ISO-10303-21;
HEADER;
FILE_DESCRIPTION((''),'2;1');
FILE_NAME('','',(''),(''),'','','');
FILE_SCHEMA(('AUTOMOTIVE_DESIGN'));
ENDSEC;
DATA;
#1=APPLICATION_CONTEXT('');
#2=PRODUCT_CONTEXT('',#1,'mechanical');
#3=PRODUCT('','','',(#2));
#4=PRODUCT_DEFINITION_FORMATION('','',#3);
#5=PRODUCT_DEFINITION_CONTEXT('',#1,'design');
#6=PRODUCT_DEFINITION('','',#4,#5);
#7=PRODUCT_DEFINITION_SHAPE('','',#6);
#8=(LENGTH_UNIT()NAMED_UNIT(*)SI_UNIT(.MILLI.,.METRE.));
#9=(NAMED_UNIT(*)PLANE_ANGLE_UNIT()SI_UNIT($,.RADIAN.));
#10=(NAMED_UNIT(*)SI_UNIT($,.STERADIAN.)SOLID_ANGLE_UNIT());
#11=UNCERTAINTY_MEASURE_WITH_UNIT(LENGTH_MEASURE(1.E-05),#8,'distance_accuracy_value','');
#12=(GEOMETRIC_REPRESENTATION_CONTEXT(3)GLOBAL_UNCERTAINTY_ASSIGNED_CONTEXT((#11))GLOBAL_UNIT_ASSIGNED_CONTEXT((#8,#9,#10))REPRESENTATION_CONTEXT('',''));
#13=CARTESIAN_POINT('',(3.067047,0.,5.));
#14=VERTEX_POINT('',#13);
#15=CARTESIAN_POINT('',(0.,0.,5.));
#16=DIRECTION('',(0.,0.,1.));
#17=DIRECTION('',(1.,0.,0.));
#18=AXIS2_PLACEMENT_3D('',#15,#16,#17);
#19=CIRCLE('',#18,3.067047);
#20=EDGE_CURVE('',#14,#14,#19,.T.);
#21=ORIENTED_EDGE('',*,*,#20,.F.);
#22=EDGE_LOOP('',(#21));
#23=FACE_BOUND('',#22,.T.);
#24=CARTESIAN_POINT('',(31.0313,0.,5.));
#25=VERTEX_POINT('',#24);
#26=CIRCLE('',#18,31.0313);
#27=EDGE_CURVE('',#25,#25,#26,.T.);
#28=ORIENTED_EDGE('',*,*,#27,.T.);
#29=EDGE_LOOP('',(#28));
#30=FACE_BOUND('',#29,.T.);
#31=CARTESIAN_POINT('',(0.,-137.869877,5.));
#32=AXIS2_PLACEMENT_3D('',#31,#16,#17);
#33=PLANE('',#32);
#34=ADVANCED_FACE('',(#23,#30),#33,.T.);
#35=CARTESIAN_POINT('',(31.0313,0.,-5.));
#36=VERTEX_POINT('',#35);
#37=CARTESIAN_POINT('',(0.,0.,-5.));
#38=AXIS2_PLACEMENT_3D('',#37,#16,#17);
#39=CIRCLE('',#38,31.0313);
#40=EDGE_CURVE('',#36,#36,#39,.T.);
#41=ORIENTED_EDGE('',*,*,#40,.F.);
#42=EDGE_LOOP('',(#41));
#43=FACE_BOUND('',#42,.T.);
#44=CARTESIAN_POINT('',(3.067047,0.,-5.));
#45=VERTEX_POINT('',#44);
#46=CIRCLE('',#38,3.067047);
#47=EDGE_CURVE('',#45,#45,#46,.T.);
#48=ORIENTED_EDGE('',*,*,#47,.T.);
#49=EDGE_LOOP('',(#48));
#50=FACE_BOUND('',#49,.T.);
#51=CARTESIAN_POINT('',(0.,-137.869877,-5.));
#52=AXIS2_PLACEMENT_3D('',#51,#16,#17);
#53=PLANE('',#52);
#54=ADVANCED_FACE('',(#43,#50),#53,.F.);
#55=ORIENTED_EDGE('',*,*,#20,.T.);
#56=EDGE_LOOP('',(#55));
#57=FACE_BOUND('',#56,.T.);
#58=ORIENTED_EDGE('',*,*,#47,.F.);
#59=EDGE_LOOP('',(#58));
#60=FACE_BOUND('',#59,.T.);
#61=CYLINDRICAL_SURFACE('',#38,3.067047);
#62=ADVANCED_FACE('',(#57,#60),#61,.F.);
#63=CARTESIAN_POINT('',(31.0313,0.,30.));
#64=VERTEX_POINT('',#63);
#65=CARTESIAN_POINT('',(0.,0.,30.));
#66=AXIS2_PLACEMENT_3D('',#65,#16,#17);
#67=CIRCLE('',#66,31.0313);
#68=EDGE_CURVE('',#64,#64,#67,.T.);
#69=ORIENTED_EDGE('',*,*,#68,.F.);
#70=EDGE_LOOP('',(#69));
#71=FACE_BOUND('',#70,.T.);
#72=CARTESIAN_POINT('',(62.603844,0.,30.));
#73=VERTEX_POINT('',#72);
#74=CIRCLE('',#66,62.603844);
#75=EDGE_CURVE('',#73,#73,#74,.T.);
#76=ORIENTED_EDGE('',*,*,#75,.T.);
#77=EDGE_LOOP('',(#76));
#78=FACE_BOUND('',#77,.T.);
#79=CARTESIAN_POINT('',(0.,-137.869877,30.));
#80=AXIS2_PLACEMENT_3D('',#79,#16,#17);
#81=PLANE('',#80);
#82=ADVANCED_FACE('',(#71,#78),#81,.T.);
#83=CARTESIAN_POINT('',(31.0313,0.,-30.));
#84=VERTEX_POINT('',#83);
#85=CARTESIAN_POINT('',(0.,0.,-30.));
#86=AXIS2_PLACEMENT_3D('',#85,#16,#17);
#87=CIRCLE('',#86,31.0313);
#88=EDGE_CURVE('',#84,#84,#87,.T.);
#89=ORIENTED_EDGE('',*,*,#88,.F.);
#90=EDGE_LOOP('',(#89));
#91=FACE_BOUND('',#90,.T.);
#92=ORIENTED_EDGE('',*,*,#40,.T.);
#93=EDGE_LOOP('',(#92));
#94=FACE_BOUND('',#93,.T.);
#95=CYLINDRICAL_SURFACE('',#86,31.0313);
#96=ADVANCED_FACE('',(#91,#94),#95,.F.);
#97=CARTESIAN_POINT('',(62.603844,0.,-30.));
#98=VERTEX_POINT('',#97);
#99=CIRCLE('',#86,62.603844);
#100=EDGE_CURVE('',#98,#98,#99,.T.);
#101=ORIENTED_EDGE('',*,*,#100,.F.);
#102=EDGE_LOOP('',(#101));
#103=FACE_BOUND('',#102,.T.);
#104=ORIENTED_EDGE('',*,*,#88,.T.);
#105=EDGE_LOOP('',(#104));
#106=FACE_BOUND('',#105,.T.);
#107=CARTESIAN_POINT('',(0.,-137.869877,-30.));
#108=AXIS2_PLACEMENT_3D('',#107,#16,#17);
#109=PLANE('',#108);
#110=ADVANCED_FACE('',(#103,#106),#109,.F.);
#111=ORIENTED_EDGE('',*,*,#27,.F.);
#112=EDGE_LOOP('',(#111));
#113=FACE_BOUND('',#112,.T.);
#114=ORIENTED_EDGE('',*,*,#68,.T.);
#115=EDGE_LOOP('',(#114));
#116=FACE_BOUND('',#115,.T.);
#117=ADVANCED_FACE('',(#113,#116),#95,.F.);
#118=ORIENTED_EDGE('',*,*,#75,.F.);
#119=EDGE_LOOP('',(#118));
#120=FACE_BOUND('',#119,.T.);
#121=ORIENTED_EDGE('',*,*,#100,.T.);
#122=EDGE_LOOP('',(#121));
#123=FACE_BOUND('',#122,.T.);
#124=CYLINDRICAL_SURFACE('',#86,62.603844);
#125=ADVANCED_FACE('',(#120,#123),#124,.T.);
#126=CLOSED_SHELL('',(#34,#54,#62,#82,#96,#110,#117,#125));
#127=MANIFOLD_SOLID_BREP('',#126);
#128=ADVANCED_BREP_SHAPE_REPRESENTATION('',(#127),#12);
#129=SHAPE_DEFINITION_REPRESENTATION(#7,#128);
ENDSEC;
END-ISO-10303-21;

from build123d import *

# Parameters (mm, degrees)
SKETCH1_R           = 31.031300013
SKETCH1_R_2         = 3.067047094
EXTRUDE3_DEPTH      = 5
EXTRUDE3_DEPTH_BACK = 5
SKETCH1_6_R         = 62.603843631
SKETCH1_6_R_2       = 31.031300013
EXTRUDE4_DEPTH      = 30
EXTRUDE4_DEPTH_BACK = 30


with BuildPart() as part:
    # Sketch1 → Extrude3 (new body, two sides)
    with BuildSketch(Plane.XY) as extrude3_sk:
        Circle(SKETCH1_R)
        Circle(SKETCH1_R_2, mode=Mode.SUBTRACT)
    extrude(amount=EXTRUDE3_DEPTH)
    extrude(extrude3_sk.sketch, amount=-EXTRUDE3_DEPTH_BACK)

    # Sketch1_6 → Extrude4 (add, two sides)
    with BuildSketch(Plane.XY) as extrude4_sk:
        Circle(SKETCH1_6_R)
        Circle(SKETCH1_6_R_2, mode=Mode.SUBTRACT)
    extrude(amount=EXTRUDE4_DEPTH)
    extrude(extrude4_sk.sketch, amount=-EXTRUDE4_DEPTH_BACK)


solid = part.part
